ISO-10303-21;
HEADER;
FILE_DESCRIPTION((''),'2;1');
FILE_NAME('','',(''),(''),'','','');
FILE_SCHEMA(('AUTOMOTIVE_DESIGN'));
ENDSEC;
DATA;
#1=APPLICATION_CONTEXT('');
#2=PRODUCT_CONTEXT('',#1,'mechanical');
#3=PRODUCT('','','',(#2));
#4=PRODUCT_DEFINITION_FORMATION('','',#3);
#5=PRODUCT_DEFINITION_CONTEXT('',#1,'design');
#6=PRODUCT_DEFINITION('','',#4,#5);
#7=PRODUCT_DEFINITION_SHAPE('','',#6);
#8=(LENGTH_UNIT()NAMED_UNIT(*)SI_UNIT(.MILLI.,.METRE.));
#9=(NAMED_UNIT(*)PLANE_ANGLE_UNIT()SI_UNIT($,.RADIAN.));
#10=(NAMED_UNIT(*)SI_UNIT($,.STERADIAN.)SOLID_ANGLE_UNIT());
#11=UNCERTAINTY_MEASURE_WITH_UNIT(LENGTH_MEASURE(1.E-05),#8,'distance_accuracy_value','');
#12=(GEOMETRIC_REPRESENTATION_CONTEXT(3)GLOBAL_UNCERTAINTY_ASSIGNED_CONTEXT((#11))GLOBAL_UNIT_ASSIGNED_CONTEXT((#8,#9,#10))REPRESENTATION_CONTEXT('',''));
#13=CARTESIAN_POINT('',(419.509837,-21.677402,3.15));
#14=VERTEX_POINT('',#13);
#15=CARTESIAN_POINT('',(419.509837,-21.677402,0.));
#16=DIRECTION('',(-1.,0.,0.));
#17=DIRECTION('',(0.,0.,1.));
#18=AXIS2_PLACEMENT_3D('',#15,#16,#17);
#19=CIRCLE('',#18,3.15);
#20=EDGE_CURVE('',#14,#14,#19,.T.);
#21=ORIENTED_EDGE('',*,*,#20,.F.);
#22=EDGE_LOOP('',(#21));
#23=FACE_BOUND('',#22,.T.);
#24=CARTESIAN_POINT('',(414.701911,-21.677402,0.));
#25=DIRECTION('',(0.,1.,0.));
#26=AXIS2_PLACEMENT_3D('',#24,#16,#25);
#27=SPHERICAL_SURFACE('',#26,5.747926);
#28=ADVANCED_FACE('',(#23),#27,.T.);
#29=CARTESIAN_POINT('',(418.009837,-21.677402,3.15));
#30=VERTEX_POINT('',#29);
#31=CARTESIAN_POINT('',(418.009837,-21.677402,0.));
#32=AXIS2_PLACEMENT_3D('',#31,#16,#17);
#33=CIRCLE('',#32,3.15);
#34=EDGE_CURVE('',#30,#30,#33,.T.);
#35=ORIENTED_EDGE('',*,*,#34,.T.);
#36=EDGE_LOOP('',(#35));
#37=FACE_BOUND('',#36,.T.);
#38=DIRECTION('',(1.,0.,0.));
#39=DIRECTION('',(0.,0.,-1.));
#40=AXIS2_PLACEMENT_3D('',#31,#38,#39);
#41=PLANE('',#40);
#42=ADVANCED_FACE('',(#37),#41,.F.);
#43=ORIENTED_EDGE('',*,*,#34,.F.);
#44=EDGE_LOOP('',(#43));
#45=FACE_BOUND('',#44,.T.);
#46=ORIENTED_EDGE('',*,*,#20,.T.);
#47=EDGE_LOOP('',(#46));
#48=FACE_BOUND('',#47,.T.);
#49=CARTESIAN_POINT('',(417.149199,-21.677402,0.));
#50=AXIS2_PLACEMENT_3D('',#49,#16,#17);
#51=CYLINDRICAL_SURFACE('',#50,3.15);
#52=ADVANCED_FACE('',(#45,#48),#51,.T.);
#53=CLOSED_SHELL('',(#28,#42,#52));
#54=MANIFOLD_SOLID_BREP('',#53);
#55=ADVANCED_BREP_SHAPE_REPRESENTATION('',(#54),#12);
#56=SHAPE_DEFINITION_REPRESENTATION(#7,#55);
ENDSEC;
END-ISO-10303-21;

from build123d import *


with BuildPart() as part:
    # 草图2 → 旋转2 (revolve)
    with BuildSketch(Plane.XY):
        with BuildLine():
            Line((418.009837004, -21.677401607), (418.009837004, -18.527401607))
            Line((418.009837004, -18.527401607), (419.509837004, -18.527401607))
            ThreePointArc((419.509837004, -18.527401607), (420.209826043, -20.033769957), (420.449837004, -21.677401607))
            Line((420.449837004, -21.677401607), (418.009837004, -21.677401607))
        make_face()
    revolve(axis=Axis((417.149198915, -21.677401607, 0), (1, 0, 0)))


solid = part.part
